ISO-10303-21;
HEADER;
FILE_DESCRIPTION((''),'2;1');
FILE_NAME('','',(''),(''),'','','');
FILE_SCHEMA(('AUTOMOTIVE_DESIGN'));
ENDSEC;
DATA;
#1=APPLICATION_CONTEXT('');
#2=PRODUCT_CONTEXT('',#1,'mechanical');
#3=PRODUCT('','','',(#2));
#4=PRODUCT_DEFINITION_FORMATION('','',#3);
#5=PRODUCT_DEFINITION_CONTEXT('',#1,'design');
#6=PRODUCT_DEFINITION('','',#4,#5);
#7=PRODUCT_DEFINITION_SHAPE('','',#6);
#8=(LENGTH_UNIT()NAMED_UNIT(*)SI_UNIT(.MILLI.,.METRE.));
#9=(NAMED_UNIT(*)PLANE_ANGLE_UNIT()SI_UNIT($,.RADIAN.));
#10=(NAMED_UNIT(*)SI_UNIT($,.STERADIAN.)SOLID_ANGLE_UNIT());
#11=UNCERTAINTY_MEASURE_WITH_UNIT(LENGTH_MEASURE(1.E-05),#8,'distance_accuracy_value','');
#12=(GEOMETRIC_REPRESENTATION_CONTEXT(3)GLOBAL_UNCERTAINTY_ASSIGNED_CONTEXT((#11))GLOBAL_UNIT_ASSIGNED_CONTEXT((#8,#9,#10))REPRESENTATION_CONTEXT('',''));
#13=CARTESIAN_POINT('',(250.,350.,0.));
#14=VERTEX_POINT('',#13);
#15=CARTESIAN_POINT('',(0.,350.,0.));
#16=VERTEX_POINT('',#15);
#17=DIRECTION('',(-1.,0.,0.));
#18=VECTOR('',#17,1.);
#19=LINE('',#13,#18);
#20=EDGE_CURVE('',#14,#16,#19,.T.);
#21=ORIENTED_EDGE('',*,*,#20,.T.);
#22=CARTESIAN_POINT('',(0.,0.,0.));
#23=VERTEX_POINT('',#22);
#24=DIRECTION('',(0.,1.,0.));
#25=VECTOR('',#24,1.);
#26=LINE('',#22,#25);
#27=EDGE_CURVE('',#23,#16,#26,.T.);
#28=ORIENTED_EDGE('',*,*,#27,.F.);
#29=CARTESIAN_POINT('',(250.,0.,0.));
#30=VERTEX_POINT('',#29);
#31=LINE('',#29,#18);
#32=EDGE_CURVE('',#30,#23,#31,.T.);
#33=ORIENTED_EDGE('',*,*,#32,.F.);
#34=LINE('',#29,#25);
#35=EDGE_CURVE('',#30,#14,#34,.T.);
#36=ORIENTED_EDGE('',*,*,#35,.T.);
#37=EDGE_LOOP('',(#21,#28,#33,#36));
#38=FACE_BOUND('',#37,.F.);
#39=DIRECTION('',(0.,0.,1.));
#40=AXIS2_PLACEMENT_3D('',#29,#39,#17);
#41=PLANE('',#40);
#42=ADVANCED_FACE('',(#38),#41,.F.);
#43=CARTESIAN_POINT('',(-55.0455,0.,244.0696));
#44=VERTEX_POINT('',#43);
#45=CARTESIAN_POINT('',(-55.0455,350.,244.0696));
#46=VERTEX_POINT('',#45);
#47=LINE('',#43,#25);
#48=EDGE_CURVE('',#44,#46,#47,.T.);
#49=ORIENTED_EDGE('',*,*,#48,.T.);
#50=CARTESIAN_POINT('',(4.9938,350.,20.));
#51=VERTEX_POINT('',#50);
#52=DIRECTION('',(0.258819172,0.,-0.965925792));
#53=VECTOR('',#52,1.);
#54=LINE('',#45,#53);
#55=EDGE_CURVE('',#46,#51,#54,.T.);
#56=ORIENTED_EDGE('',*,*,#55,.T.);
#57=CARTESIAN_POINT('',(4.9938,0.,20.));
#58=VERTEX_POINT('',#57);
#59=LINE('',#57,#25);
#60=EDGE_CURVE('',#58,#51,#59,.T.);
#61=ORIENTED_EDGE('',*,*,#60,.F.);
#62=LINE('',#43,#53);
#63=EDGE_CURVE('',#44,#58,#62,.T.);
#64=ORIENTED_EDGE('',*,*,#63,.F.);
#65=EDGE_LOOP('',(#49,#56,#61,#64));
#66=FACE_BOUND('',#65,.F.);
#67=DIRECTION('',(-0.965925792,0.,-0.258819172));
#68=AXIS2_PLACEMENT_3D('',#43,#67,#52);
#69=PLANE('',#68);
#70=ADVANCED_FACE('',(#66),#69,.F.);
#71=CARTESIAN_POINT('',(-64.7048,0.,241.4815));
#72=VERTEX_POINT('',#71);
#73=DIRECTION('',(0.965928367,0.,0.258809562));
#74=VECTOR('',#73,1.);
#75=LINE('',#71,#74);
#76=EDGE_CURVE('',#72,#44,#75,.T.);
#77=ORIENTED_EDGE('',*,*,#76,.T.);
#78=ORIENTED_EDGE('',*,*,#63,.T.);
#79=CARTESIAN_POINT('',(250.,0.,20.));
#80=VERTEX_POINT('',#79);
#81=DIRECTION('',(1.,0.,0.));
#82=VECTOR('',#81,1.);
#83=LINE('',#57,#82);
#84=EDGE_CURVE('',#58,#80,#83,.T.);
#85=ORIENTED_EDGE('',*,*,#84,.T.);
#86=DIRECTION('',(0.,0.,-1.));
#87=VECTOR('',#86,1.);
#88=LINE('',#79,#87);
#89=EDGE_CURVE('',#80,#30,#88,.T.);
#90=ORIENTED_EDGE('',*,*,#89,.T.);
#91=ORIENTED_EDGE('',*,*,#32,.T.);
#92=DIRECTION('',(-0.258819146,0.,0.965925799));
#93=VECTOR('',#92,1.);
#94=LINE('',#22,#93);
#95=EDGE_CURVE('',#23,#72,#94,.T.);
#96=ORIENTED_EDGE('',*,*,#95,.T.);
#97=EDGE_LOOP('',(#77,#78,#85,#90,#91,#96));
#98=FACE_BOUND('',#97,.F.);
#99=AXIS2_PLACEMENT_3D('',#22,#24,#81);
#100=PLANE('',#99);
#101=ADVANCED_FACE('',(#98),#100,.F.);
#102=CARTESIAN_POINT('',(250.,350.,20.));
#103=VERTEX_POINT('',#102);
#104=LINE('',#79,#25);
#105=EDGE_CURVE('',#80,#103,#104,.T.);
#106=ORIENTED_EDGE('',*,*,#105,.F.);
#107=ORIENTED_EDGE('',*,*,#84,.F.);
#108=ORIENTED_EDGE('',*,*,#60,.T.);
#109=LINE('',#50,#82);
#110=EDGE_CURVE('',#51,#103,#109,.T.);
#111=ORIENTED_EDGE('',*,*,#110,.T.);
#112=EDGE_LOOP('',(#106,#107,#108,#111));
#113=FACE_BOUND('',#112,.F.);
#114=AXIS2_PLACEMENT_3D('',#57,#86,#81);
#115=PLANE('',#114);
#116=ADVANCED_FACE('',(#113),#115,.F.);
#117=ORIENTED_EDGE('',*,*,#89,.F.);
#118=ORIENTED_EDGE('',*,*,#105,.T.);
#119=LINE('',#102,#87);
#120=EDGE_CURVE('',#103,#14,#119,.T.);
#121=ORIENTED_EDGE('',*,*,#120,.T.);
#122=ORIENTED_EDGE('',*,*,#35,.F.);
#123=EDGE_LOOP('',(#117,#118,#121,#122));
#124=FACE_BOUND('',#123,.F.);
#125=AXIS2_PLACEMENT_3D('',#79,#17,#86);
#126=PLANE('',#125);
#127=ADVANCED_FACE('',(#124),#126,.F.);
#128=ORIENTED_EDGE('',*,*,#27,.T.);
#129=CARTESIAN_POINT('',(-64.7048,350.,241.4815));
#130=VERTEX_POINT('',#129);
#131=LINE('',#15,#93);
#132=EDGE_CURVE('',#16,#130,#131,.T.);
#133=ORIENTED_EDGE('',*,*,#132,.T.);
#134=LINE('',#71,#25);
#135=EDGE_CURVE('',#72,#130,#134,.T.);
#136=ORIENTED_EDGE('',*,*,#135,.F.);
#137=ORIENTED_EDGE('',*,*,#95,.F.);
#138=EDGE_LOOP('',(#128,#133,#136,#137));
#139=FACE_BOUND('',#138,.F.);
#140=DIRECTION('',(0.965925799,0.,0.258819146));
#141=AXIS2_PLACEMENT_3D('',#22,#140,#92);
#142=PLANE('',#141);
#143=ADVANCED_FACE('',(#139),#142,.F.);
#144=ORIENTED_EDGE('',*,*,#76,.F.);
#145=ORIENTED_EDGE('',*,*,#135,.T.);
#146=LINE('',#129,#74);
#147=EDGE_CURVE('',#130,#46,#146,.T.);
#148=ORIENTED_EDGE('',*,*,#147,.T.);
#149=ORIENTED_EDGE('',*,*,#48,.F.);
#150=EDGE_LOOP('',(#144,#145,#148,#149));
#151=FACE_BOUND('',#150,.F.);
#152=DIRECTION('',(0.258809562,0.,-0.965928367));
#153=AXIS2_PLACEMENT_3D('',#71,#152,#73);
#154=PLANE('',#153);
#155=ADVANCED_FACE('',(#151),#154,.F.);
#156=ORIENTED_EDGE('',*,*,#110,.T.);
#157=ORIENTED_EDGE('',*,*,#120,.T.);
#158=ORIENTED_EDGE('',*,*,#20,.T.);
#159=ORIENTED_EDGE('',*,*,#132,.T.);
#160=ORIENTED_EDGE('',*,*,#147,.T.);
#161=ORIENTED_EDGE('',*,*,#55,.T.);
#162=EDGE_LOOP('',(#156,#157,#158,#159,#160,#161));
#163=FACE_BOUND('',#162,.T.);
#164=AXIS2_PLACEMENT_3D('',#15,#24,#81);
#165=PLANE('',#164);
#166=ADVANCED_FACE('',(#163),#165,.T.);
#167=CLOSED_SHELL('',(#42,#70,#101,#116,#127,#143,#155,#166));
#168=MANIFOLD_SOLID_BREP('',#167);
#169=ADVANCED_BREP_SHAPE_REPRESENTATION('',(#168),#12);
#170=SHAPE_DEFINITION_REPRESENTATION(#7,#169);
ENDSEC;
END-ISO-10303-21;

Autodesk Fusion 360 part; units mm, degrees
sketch "Schizzo1" plane through (0, 0, 0) normal (0, 1, 0) x (1, 0, 0)
  line L0 (0, 0) -> (-64.7048, -241.4815)
  line L1 (-64.7048, -241.4815) -> (-55.0455, -244.0696)
  line L2 (-55.0455, -244.0696) -> (4.9938, -20)
  line L3 (4.9938, -20) -> (250, -20)
  line L4 (250, -20) -> (250, 0)
  line L5 (250, 0) -> (0, 0)
  dimension "d1" = 75
  dimension "d2" = 250
  dimension "d3" = 250
  dimension "d4" = 20
  dimension "d5" = 10
extrude "Estrusione1" add sketch "Schizzo1" along normal blind 350
component "Component" placed x (1, 0, 0) y (0, 1, 0) z (0, 0, 1) at (0, 0, 0)
